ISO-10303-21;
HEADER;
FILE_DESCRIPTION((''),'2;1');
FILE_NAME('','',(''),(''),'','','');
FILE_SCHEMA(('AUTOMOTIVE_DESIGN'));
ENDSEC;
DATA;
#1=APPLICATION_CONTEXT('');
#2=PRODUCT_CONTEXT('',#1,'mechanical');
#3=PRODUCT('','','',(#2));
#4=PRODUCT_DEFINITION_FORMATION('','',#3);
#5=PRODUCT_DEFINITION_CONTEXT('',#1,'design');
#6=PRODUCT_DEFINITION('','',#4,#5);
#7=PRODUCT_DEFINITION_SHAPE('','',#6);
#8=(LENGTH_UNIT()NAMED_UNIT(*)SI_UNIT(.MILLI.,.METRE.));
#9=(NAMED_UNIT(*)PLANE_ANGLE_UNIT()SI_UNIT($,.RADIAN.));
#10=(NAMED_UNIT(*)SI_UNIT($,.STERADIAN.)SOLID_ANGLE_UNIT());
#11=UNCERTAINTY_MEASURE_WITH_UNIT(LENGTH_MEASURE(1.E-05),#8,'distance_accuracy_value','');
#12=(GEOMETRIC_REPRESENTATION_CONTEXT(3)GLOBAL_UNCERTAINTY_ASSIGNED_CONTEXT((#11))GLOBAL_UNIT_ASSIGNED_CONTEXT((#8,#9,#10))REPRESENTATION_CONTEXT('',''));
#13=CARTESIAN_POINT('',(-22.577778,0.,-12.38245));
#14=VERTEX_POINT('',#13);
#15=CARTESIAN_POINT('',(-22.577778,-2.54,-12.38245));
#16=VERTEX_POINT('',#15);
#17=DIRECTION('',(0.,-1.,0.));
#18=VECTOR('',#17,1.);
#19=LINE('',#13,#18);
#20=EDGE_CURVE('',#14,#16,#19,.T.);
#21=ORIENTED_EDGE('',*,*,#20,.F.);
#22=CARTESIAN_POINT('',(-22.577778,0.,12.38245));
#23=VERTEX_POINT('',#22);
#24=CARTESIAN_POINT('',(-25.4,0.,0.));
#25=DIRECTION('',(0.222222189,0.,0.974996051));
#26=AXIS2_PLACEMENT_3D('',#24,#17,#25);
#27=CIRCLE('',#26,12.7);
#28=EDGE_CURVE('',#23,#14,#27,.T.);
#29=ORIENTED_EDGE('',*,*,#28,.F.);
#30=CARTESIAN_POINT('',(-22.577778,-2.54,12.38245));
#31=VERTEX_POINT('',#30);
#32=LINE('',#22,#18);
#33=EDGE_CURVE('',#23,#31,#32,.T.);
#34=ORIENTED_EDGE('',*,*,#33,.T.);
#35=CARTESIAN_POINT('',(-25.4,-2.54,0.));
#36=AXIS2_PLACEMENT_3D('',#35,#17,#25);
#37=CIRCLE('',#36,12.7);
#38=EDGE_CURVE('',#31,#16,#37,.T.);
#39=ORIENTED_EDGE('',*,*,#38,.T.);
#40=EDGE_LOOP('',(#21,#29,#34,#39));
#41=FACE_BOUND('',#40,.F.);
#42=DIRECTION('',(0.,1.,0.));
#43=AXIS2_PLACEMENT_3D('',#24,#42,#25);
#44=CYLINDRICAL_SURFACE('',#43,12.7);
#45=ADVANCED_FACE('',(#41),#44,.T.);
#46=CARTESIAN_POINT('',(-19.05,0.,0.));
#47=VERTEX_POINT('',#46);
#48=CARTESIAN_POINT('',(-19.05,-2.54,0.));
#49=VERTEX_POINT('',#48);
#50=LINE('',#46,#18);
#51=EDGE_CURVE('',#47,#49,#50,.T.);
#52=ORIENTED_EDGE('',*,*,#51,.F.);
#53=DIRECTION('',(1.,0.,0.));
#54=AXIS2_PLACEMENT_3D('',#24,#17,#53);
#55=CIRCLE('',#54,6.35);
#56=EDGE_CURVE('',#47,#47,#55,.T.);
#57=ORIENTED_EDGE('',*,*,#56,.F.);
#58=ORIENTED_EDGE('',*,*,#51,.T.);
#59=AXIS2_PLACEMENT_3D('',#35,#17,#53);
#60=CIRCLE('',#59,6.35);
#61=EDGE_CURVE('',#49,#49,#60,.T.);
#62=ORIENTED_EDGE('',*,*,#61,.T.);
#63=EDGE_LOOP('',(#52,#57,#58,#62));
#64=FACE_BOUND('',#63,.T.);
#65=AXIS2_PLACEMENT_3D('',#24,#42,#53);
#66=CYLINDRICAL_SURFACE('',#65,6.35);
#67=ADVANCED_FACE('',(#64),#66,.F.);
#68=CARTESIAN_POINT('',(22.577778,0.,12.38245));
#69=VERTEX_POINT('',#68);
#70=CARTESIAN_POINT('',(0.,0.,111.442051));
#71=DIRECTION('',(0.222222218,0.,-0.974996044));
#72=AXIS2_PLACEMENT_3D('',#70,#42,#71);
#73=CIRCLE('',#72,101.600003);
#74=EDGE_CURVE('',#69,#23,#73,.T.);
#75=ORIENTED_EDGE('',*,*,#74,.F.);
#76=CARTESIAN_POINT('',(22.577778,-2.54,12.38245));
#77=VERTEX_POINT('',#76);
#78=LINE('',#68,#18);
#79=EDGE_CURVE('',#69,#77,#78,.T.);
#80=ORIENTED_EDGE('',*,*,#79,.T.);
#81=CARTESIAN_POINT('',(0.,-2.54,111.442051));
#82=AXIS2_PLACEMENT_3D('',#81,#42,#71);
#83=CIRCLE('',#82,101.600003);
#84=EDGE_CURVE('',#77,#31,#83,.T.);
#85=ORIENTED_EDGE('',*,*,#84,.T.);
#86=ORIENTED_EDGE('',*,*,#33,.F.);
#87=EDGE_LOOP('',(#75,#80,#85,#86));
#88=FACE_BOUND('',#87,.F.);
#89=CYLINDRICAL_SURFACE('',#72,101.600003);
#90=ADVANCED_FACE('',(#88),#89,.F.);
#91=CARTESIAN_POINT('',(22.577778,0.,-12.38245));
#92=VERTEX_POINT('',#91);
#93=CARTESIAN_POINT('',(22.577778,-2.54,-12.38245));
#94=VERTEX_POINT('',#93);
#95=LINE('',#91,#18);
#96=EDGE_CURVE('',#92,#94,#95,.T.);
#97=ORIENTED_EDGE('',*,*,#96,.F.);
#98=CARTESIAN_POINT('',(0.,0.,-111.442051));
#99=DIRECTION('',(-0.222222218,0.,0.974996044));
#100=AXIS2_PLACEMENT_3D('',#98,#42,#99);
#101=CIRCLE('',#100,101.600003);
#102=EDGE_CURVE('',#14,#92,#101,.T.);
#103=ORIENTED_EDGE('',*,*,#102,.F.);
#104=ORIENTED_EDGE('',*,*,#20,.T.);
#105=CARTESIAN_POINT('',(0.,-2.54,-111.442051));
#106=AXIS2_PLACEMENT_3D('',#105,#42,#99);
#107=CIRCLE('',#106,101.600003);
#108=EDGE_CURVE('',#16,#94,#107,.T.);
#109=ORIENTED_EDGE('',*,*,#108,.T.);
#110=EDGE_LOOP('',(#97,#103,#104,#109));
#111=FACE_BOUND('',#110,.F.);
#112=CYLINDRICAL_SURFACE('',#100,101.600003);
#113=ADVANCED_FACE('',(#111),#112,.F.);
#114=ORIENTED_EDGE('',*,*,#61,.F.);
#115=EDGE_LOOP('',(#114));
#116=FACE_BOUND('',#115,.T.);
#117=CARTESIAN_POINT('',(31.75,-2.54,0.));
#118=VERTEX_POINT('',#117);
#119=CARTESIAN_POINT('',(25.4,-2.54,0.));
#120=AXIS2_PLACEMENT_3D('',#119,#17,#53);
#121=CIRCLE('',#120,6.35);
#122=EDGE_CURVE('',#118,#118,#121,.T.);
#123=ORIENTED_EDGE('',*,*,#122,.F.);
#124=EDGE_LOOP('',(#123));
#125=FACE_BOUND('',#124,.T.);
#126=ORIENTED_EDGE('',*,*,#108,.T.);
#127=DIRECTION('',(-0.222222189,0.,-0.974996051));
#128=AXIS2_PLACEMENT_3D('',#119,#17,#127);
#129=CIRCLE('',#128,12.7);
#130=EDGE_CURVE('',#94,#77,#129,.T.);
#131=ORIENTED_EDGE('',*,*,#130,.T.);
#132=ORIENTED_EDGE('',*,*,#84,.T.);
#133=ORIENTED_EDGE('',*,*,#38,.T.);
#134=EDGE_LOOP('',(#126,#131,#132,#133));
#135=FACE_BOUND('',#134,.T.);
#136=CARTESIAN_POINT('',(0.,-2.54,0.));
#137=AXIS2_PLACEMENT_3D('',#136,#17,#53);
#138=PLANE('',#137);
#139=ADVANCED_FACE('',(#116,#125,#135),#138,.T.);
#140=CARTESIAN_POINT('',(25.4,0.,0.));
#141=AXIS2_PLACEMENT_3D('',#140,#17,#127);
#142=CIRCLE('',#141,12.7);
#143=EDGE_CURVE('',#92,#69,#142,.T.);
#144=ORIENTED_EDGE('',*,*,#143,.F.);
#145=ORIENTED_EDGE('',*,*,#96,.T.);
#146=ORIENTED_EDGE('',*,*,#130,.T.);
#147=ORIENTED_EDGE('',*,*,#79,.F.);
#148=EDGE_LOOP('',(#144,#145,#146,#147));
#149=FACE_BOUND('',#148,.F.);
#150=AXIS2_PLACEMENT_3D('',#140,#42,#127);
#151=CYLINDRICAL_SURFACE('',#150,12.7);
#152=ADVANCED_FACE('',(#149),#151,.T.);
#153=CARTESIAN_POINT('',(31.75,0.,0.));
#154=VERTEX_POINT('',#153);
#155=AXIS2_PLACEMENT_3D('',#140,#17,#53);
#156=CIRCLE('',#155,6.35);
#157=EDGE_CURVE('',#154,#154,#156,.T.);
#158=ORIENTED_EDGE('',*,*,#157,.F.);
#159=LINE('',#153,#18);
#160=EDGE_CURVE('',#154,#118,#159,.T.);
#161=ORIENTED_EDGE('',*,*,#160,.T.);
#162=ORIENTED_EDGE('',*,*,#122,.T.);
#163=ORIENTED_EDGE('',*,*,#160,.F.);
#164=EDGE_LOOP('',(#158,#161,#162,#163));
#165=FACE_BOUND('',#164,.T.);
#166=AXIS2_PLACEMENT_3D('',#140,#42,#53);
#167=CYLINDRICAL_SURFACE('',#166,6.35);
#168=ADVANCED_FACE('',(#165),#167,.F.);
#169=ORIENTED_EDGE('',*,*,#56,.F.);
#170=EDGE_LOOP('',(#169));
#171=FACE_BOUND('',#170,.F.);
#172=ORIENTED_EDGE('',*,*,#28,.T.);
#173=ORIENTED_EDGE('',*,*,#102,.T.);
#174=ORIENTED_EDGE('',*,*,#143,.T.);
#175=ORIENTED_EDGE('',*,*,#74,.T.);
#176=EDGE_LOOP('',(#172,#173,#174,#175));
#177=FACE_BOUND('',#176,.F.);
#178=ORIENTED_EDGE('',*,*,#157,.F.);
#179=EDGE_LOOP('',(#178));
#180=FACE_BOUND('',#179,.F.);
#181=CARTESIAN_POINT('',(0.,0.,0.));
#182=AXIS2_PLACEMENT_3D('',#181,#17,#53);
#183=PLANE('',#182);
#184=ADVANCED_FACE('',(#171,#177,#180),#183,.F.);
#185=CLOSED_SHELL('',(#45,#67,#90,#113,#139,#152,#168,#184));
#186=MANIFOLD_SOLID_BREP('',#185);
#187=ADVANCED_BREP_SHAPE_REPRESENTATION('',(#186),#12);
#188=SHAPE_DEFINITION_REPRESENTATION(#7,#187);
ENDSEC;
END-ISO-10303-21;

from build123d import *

# Parameters (mm, degrees)
F0_R     = 6.35
F1_DEPTH = 2.54


with BuildPart() as f1:
    # F0 (on Front) → F1 (new body)
    with BuildSketch(Plane.XZ):
        with BuildLine():
            ThreePointArc((22.577778, -12.38245), (38.1, 0), (22.577778, 12.38245))
            ThreePointArc((22.577778, 12.38245), (0, 9.842048), (-22.577778, 12.38245))
            ThreePointArc((-22.577778, 12.38245), (-38.1, 0), (-22.577778, -12.38245))
            ThreePointArc((-22.577778, -12.38245), (0, -9.842048), (22.577778, -12.38245))
        make_face()
        with Locations((-25.4, 0)):
            Circle(F0_R, mode=Mode.SUBTRACT)
        with Locations((25.4, 0)):
            Circle(F0_R, mode=Mode.SUBTRACT)
    extrude(amount=F1_DEPTH)


solid = f1.part
